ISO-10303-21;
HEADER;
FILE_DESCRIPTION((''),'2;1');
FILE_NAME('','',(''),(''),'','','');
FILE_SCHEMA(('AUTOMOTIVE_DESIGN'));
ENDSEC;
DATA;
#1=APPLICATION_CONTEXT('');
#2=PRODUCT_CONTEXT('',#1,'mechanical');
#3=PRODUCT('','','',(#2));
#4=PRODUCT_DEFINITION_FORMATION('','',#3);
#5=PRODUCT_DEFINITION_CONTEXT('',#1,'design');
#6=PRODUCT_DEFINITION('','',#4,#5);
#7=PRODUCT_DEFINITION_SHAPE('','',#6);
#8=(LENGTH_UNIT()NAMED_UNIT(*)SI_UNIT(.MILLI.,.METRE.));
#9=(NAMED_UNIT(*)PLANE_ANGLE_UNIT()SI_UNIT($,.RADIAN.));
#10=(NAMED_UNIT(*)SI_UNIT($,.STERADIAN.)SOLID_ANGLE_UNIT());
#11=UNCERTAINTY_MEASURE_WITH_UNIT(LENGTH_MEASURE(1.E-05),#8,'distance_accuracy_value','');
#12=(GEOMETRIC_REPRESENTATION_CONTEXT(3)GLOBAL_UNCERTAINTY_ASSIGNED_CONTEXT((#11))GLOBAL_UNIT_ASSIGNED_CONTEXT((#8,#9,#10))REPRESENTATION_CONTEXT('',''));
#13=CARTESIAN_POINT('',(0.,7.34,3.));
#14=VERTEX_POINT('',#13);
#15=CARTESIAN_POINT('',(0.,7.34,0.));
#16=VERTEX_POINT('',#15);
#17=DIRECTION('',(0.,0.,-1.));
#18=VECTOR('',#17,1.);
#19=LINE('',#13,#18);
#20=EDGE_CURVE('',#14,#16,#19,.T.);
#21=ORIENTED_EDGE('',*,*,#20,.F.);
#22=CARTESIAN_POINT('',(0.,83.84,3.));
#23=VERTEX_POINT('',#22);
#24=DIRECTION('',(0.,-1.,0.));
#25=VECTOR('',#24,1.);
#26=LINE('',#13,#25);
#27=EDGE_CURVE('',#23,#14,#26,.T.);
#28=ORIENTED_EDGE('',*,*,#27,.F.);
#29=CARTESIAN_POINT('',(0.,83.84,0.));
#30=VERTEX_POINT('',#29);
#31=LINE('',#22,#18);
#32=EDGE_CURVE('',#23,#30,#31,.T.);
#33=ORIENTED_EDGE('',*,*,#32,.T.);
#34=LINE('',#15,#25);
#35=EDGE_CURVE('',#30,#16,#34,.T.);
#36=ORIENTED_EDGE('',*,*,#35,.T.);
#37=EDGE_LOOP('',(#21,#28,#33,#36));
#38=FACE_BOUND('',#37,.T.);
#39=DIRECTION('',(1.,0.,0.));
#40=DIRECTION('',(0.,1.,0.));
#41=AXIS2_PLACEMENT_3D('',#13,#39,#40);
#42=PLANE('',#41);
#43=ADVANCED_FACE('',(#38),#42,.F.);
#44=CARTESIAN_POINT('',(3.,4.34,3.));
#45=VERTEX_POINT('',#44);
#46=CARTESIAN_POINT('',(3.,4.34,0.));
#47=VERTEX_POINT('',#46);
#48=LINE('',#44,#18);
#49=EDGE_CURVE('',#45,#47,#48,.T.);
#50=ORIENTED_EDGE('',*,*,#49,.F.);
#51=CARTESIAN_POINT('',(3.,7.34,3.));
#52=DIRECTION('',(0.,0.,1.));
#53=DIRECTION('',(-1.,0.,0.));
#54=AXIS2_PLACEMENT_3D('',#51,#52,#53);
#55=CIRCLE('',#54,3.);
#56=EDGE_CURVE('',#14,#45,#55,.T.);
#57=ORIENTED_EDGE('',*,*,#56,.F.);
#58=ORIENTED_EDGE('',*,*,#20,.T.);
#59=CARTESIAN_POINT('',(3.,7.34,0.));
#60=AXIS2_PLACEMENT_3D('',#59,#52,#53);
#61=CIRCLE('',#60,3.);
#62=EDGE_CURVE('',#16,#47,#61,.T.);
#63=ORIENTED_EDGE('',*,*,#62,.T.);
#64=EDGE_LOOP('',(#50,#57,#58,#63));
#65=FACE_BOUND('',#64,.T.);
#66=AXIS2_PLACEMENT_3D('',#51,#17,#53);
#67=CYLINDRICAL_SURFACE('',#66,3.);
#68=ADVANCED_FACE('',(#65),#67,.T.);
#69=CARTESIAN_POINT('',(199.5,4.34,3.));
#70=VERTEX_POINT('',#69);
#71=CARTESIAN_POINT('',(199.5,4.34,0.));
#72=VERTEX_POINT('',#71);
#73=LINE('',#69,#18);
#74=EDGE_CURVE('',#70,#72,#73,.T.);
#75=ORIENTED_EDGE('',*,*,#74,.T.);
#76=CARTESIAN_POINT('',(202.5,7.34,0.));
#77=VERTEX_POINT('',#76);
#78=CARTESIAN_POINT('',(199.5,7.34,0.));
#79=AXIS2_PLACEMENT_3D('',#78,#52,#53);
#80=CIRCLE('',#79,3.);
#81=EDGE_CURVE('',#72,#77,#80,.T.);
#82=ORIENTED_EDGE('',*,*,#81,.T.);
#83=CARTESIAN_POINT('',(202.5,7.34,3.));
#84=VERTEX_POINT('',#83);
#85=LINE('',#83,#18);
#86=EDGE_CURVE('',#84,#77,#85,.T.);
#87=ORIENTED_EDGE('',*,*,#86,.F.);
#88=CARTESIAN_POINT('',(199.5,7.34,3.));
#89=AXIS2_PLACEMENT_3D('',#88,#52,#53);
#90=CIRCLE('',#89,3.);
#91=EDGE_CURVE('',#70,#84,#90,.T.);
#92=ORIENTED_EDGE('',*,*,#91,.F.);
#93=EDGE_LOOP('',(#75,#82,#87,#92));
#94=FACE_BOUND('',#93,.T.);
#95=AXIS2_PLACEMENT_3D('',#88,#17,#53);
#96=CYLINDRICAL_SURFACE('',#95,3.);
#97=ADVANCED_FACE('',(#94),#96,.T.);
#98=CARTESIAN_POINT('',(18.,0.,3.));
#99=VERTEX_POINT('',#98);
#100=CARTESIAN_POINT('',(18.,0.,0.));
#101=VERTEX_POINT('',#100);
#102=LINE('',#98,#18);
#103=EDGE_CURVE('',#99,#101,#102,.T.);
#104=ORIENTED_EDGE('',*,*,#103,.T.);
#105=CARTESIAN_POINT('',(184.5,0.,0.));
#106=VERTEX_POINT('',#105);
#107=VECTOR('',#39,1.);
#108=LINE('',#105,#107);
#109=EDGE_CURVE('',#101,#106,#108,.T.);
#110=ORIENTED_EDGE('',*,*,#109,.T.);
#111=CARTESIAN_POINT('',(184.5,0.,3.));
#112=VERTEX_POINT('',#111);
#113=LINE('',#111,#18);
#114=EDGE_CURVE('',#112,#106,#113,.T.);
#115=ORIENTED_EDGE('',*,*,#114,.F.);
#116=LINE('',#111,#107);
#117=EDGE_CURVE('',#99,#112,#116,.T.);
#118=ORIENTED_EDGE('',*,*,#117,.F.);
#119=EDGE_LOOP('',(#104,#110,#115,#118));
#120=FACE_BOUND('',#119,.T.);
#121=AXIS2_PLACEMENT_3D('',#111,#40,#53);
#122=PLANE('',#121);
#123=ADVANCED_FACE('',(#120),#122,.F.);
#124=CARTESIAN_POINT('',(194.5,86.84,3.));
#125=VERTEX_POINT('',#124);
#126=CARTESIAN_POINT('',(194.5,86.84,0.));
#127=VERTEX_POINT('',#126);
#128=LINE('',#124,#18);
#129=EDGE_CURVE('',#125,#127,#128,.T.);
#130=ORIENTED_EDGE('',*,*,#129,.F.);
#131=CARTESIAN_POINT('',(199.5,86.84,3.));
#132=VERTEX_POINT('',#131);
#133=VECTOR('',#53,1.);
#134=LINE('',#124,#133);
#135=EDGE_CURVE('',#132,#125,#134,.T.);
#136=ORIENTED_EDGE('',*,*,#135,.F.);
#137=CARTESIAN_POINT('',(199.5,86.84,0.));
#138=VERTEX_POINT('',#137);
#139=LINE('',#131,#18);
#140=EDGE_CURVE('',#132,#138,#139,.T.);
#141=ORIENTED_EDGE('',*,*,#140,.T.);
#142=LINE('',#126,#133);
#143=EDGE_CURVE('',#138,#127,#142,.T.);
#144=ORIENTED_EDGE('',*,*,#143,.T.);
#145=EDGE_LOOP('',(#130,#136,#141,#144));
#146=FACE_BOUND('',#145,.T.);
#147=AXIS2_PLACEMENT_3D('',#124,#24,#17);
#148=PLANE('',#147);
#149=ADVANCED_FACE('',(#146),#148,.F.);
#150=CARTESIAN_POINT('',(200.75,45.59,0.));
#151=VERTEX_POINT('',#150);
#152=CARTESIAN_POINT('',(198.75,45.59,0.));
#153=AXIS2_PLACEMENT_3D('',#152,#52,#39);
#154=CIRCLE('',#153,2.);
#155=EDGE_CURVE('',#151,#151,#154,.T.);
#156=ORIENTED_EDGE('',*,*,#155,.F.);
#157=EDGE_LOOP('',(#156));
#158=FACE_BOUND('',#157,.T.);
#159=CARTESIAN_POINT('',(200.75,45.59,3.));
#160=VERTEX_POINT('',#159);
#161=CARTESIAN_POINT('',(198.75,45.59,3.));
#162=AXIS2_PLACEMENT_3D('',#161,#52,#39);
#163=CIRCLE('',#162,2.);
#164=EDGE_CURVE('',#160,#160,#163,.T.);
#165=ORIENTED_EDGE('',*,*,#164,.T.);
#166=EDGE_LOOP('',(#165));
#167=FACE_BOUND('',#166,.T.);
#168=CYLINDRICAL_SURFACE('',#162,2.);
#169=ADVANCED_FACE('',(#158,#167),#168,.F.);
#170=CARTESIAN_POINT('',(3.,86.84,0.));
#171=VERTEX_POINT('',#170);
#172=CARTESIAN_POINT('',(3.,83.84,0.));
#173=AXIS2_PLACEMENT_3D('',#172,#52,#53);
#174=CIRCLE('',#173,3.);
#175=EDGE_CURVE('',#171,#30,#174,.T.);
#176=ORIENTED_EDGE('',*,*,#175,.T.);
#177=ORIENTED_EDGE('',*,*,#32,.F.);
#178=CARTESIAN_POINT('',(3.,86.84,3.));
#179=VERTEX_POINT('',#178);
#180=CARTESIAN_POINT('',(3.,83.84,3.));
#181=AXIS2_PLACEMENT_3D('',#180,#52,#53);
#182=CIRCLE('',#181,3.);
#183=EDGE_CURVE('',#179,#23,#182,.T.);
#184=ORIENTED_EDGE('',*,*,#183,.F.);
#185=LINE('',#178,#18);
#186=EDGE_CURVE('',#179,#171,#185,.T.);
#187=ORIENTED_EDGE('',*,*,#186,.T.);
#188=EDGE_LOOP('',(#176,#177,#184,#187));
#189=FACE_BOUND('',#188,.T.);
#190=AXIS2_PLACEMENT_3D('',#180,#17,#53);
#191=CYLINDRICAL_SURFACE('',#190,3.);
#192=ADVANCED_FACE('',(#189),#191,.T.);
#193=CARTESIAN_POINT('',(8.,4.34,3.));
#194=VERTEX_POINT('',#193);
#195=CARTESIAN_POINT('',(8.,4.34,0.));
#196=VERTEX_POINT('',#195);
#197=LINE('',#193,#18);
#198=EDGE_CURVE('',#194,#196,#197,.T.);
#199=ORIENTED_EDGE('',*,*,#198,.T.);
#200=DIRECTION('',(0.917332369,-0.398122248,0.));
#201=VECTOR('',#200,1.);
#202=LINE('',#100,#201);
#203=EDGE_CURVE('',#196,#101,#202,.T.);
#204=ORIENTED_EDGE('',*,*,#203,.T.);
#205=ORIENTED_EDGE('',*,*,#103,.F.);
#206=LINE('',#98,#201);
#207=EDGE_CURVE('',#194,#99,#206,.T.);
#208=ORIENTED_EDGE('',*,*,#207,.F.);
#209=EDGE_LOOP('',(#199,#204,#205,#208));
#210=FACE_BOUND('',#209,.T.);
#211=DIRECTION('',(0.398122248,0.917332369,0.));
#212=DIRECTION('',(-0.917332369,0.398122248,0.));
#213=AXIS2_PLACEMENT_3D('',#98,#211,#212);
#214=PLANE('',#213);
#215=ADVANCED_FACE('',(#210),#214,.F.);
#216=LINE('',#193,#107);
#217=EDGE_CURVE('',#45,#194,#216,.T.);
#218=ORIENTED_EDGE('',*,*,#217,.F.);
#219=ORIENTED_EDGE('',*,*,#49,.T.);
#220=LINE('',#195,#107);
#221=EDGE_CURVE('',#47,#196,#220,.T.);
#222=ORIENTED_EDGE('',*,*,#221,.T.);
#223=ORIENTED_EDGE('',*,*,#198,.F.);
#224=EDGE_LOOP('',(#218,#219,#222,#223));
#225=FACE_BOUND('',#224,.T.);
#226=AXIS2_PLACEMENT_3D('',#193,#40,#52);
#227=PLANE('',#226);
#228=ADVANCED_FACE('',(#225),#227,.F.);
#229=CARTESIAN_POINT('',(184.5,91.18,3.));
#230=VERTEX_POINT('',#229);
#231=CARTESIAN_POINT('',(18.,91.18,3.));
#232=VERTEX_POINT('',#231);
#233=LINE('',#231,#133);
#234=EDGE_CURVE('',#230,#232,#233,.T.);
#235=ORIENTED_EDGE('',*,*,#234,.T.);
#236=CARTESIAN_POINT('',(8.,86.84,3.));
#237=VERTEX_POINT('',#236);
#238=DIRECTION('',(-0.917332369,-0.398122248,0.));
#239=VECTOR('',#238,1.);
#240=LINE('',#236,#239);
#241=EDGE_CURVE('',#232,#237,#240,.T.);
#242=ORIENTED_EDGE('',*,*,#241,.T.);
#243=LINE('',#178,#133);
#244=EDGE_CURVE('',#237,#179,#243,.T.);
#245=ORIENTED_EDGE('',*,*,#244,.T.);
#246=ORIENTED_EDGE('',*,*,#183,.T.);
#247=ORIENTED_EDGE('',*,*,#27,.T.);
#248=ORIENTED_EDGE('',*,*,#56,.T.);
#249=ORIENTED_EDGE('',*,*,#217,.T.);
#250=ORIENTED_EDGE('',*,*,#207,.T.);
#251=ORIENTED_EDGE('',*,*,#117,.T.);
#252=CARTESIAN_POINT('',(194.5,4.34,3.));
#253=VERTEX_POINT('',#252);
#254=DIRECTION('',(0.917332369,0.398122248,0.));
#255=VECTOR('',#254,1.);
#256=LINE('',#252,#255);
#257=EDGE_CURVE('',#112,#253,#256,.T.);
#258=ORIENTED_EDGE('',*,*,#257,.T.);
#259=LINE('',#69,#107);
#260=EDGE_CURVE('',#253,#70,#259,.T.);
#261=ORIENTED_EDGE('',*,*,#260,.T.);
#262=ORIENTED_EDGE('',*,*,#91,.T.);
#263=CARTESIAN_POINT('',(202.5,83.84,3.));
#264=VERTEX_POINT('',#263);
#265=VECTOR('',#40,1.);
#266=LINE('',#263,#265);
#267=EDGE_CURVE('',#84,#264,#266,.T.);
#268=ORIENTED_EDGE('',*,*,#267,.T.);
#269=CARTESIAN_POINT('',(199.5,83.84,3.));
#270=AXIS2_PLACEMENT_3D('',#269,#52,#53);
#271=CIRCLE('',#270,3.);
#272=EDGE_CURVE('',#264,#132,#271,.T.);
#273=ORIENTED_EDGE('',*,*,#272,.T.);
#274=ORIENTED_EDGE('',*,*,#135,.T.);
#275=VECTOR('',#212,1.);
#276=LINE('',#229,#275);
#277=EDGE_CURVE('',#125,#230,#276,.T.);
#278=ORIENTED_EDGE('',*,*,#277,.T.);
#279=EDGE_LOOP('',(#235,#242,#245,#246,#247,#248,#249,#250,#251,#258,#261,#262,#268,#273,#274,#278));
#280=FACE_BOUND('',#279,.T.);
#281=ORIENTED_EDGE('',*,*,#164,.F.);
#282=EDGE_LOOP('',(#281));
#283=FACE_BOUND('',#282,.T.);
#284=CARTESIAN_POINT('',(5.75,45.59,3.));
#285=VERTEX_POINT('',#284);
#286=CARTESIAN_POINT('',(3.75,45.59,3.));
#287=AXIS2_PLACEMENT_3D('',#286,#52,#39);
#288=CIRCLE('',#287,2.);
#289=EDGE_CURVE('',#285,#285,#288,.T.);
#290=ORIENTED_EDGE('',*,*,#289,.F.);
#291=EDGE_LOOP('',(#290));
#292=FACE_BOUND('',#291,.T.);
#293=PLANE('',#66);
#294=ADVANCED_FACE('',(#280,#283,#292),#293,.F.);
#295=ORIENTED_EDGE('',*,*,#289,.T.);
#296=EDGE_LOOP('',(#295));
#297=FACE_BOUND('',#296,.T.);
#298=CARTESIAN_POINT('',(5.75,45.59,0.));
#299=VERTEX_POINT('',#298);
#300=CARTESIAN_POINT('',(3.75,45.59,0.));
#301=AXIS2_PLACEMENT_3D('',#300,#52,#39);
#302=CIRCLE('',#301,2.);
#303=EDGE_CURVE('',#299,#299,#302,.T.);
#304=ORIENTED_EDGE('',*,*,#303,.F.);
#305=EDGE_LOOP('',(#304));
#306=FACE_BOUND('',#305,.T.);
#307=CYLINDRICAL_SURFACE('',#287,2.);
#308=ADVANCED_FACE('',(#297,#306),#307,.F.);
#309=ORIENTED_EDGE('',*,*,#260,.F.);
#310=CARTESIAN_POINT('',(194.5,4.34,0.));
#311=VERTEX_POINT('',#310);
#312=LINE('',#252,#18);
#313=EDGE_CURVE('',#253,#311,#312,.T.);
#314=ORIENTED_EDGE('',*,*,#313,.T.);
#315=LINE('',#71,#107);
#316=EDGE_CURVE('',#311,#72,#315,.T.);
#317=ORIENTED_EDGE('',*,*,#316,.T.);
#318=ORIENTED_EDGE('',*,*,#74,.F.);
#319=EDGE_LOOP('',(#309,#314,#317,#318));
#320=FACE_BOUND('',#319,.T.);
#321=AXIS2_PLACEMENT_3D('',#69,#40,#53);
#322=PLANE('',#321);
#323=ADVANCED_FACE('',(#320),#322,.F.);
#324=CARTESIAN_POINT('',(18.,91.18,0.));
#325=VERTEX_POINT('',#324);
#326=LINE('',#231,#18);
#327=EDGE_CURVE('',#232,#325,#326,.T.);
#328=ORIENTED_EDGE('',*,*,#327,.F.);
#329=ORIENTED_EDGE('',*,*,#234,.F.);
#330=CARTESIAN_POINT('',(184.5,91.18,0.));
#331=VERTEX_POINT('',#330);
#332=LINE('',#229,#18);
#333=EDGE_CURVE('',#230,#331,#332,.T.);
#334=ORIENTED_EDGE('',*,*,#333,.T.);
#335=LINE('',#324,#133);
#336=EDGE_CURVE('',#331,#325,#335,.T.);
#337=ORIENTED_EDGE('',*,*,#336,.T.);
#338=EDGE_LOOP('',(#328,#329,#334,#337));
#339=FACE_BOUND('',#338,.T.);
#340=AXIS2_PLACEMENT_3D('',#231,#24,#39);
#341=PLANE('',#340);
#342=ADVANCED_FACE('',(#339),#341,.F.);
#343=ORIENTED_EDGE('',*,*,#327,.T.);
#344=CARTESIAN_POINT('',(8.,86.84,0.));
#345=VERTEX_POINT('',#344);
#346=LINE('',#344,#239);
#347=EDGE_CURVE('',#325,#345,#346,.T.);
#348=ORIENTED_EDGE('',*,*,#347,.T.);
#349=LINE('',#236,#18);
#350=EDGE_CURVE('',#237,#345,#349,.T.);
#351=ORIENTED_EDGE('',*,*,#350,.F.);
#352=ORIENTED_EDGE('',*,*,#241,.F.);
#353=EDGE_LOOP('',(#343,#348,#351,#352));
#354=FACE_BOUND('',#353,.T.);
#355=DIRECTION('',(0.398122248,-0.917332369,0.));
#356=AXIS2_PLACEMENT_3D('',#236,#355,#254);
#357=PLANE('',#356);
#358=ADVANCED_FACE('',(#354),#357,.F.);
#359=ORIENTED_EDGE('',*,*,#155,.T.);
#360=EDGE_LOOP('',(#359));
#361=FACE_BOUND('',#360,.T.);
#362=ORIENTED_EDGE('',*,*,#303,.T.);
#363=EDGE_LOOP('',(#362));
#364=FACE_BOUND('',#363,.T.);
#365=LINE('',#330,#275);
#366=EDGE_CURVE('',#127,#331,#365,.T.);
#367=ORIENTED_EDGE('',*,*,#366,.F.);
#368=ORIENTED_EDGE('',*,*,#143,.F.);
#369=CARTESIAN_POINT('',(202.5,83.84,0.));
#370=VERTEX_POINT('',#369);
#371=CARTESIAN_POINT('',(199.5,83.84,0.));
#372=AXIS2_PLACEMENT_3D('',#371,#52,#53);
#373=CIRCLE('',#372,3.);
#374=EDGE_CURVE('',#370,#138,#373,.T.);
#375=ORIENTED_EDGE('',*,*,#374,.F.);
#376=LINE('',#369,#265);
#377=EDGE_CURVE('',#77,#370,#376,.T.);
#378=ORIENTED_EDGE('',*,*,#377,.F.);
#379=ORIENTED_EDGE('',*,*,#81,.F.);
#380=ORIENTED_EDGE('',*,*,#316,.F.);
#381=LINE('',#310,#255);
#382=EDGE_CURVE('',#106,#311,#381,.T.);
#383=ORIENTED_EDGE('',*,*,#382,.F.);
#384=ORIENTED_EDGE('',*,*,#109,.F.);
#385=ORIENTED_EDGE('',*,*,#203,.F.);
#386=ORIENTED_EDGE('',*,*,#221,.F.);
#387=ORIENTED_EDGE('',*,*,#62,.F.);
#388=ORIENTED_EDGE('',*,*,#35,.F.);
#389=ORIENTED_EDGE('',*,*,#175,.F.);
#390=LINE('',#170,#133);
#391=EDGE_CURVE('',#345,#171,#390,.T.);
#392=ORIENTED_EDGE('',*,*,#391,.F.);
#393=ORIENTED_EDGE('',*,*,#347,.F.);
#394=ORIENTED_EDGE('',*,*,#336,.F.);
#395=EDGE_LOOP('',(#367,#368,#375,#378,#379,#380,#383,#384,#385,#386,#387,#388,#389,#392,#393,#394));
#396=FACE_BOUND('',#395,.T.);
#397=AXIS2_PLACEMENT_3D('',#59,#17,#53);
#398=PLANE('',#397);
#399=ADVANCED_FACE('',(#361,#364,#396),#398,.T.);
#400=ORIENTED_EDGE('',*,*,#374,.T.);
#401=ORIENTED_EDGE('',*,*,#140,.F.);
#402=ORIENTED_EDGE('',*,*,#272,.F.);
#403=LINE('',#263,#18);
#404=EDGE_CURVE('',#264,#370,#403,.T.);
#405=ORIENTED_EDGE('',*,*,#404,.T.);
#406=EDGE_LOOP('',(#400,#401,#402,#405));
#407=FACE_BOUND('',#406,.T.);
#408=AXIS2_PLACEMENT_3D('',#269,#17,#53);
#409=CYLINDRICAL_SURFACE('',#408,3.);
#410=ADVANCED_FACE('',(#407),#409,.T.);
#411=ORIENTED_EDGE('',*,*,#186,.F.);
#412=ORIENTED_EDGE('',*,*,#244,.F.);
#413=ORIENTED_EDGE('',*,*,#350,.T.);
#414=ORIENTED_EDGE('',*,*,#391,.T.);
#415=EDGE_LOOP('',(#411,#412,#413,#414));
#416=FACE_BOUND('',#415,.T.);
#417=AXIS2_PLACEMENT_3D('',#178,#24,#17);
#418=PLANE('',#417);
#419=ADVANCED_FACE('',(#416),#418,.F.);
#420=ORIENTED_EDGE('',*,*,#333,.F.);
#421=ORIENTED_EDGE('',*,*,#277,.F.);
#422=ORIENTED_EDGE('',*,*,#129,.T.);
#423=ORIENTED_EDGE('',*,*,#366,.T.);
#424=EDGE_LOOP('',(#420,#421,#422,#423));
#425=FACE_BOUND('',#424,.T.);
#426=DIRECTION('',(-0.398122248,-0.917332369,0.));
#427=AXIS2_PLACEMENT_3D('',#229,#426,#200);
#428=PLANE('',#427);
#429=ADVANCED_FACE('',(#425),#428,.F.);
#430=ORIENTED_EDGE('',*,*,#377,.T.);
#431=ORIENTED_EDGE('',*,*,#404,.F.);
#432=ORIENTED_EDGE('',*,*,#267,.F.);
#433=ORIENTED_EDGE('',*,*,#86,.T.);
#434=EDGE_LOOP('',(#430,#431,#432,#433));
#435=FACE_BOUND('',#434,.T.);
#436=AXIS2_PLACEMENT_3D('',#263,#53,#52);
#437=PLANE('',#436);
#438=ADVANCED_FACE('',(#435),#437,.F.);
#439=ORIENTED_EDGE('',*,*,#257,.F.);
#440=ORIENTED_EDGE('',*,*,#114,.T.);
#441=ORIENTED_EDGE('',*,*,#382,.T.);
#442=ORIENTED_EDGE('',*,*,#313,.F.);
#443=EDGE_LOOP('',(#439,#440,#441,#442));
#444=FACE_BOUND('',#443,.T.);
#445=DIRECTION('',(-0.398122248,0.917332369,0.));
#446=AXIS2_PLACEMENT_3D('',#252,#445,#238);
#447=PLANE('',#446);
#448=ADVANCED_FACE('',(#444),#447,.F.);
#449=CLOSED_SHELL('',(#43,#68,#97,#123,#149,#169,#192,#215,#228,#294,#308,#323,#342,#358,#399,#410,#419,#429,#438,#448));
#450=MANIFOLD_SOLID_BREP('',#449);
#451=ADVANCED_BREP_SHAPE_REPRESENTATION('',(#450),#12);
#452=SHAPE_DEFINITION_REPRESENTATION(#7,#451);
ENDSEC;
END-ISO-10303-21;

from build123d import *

# Parameters (mm, degrees)
BOSS_EXTRUDE1_DEPTH   = 3
F_4_0MM_DOWEL_HOLE1_D = 4


with BuildPart() as part:
    # Sketch1 → Boss-Extrude1 (new body)
    with BuildSketch(Plane.XY):
        with BuildLine():
            Line((0, 7.34), (0, 83.84))
            ThreePointArc((0, 83.84), (0.878679656, 85.961320344), (3, 86.84))
            Line((3, 86.84), (8, 86.84))
            Line((8, 86.84), (18, 91.18))
            Line((18, 91.18), (184.5, 91.18))
            Line((184.5, 91.18), (194.5, 86.84))
            Line((194.5, 86.84), (199.5, 86.84))
            ThreePointArc((199.5, 86.84), (201.621320344, 85.961320344), (202.5, 83.84))
            Line((202.5, 83.84), (202.5, 7.34))
            ThreePointArc((202.5, 7.34), (201.621320344, 5.218679656), (199.5, 4.34))
            Line((199.5, 4.34), (194.5, 4.34))
            Line((194.5, 4.34), (184.5, 0))
            Line((184.5, 0), (18, 0))
            Line((18, 0), (8, 4.34))
            Line((8, 4.34), (3, 4.34))
            ThreePointArc((3, 4.34), (0.878679656, 5.218679656), (0, 7.34))
        make_face()
    extrude(amount=BOSS_EXTRUDE1_DEPTH)

    # Ø4.0mm Dowel Hole1 (through all)
    with Locations(Plane.XY.offset(3)):
        with Locations((3.75, 45.59), (198.75, 45.59)):
            Hole(F_4_0MM_DOWEL_HOLE1_D / 2)


solid = part.part
